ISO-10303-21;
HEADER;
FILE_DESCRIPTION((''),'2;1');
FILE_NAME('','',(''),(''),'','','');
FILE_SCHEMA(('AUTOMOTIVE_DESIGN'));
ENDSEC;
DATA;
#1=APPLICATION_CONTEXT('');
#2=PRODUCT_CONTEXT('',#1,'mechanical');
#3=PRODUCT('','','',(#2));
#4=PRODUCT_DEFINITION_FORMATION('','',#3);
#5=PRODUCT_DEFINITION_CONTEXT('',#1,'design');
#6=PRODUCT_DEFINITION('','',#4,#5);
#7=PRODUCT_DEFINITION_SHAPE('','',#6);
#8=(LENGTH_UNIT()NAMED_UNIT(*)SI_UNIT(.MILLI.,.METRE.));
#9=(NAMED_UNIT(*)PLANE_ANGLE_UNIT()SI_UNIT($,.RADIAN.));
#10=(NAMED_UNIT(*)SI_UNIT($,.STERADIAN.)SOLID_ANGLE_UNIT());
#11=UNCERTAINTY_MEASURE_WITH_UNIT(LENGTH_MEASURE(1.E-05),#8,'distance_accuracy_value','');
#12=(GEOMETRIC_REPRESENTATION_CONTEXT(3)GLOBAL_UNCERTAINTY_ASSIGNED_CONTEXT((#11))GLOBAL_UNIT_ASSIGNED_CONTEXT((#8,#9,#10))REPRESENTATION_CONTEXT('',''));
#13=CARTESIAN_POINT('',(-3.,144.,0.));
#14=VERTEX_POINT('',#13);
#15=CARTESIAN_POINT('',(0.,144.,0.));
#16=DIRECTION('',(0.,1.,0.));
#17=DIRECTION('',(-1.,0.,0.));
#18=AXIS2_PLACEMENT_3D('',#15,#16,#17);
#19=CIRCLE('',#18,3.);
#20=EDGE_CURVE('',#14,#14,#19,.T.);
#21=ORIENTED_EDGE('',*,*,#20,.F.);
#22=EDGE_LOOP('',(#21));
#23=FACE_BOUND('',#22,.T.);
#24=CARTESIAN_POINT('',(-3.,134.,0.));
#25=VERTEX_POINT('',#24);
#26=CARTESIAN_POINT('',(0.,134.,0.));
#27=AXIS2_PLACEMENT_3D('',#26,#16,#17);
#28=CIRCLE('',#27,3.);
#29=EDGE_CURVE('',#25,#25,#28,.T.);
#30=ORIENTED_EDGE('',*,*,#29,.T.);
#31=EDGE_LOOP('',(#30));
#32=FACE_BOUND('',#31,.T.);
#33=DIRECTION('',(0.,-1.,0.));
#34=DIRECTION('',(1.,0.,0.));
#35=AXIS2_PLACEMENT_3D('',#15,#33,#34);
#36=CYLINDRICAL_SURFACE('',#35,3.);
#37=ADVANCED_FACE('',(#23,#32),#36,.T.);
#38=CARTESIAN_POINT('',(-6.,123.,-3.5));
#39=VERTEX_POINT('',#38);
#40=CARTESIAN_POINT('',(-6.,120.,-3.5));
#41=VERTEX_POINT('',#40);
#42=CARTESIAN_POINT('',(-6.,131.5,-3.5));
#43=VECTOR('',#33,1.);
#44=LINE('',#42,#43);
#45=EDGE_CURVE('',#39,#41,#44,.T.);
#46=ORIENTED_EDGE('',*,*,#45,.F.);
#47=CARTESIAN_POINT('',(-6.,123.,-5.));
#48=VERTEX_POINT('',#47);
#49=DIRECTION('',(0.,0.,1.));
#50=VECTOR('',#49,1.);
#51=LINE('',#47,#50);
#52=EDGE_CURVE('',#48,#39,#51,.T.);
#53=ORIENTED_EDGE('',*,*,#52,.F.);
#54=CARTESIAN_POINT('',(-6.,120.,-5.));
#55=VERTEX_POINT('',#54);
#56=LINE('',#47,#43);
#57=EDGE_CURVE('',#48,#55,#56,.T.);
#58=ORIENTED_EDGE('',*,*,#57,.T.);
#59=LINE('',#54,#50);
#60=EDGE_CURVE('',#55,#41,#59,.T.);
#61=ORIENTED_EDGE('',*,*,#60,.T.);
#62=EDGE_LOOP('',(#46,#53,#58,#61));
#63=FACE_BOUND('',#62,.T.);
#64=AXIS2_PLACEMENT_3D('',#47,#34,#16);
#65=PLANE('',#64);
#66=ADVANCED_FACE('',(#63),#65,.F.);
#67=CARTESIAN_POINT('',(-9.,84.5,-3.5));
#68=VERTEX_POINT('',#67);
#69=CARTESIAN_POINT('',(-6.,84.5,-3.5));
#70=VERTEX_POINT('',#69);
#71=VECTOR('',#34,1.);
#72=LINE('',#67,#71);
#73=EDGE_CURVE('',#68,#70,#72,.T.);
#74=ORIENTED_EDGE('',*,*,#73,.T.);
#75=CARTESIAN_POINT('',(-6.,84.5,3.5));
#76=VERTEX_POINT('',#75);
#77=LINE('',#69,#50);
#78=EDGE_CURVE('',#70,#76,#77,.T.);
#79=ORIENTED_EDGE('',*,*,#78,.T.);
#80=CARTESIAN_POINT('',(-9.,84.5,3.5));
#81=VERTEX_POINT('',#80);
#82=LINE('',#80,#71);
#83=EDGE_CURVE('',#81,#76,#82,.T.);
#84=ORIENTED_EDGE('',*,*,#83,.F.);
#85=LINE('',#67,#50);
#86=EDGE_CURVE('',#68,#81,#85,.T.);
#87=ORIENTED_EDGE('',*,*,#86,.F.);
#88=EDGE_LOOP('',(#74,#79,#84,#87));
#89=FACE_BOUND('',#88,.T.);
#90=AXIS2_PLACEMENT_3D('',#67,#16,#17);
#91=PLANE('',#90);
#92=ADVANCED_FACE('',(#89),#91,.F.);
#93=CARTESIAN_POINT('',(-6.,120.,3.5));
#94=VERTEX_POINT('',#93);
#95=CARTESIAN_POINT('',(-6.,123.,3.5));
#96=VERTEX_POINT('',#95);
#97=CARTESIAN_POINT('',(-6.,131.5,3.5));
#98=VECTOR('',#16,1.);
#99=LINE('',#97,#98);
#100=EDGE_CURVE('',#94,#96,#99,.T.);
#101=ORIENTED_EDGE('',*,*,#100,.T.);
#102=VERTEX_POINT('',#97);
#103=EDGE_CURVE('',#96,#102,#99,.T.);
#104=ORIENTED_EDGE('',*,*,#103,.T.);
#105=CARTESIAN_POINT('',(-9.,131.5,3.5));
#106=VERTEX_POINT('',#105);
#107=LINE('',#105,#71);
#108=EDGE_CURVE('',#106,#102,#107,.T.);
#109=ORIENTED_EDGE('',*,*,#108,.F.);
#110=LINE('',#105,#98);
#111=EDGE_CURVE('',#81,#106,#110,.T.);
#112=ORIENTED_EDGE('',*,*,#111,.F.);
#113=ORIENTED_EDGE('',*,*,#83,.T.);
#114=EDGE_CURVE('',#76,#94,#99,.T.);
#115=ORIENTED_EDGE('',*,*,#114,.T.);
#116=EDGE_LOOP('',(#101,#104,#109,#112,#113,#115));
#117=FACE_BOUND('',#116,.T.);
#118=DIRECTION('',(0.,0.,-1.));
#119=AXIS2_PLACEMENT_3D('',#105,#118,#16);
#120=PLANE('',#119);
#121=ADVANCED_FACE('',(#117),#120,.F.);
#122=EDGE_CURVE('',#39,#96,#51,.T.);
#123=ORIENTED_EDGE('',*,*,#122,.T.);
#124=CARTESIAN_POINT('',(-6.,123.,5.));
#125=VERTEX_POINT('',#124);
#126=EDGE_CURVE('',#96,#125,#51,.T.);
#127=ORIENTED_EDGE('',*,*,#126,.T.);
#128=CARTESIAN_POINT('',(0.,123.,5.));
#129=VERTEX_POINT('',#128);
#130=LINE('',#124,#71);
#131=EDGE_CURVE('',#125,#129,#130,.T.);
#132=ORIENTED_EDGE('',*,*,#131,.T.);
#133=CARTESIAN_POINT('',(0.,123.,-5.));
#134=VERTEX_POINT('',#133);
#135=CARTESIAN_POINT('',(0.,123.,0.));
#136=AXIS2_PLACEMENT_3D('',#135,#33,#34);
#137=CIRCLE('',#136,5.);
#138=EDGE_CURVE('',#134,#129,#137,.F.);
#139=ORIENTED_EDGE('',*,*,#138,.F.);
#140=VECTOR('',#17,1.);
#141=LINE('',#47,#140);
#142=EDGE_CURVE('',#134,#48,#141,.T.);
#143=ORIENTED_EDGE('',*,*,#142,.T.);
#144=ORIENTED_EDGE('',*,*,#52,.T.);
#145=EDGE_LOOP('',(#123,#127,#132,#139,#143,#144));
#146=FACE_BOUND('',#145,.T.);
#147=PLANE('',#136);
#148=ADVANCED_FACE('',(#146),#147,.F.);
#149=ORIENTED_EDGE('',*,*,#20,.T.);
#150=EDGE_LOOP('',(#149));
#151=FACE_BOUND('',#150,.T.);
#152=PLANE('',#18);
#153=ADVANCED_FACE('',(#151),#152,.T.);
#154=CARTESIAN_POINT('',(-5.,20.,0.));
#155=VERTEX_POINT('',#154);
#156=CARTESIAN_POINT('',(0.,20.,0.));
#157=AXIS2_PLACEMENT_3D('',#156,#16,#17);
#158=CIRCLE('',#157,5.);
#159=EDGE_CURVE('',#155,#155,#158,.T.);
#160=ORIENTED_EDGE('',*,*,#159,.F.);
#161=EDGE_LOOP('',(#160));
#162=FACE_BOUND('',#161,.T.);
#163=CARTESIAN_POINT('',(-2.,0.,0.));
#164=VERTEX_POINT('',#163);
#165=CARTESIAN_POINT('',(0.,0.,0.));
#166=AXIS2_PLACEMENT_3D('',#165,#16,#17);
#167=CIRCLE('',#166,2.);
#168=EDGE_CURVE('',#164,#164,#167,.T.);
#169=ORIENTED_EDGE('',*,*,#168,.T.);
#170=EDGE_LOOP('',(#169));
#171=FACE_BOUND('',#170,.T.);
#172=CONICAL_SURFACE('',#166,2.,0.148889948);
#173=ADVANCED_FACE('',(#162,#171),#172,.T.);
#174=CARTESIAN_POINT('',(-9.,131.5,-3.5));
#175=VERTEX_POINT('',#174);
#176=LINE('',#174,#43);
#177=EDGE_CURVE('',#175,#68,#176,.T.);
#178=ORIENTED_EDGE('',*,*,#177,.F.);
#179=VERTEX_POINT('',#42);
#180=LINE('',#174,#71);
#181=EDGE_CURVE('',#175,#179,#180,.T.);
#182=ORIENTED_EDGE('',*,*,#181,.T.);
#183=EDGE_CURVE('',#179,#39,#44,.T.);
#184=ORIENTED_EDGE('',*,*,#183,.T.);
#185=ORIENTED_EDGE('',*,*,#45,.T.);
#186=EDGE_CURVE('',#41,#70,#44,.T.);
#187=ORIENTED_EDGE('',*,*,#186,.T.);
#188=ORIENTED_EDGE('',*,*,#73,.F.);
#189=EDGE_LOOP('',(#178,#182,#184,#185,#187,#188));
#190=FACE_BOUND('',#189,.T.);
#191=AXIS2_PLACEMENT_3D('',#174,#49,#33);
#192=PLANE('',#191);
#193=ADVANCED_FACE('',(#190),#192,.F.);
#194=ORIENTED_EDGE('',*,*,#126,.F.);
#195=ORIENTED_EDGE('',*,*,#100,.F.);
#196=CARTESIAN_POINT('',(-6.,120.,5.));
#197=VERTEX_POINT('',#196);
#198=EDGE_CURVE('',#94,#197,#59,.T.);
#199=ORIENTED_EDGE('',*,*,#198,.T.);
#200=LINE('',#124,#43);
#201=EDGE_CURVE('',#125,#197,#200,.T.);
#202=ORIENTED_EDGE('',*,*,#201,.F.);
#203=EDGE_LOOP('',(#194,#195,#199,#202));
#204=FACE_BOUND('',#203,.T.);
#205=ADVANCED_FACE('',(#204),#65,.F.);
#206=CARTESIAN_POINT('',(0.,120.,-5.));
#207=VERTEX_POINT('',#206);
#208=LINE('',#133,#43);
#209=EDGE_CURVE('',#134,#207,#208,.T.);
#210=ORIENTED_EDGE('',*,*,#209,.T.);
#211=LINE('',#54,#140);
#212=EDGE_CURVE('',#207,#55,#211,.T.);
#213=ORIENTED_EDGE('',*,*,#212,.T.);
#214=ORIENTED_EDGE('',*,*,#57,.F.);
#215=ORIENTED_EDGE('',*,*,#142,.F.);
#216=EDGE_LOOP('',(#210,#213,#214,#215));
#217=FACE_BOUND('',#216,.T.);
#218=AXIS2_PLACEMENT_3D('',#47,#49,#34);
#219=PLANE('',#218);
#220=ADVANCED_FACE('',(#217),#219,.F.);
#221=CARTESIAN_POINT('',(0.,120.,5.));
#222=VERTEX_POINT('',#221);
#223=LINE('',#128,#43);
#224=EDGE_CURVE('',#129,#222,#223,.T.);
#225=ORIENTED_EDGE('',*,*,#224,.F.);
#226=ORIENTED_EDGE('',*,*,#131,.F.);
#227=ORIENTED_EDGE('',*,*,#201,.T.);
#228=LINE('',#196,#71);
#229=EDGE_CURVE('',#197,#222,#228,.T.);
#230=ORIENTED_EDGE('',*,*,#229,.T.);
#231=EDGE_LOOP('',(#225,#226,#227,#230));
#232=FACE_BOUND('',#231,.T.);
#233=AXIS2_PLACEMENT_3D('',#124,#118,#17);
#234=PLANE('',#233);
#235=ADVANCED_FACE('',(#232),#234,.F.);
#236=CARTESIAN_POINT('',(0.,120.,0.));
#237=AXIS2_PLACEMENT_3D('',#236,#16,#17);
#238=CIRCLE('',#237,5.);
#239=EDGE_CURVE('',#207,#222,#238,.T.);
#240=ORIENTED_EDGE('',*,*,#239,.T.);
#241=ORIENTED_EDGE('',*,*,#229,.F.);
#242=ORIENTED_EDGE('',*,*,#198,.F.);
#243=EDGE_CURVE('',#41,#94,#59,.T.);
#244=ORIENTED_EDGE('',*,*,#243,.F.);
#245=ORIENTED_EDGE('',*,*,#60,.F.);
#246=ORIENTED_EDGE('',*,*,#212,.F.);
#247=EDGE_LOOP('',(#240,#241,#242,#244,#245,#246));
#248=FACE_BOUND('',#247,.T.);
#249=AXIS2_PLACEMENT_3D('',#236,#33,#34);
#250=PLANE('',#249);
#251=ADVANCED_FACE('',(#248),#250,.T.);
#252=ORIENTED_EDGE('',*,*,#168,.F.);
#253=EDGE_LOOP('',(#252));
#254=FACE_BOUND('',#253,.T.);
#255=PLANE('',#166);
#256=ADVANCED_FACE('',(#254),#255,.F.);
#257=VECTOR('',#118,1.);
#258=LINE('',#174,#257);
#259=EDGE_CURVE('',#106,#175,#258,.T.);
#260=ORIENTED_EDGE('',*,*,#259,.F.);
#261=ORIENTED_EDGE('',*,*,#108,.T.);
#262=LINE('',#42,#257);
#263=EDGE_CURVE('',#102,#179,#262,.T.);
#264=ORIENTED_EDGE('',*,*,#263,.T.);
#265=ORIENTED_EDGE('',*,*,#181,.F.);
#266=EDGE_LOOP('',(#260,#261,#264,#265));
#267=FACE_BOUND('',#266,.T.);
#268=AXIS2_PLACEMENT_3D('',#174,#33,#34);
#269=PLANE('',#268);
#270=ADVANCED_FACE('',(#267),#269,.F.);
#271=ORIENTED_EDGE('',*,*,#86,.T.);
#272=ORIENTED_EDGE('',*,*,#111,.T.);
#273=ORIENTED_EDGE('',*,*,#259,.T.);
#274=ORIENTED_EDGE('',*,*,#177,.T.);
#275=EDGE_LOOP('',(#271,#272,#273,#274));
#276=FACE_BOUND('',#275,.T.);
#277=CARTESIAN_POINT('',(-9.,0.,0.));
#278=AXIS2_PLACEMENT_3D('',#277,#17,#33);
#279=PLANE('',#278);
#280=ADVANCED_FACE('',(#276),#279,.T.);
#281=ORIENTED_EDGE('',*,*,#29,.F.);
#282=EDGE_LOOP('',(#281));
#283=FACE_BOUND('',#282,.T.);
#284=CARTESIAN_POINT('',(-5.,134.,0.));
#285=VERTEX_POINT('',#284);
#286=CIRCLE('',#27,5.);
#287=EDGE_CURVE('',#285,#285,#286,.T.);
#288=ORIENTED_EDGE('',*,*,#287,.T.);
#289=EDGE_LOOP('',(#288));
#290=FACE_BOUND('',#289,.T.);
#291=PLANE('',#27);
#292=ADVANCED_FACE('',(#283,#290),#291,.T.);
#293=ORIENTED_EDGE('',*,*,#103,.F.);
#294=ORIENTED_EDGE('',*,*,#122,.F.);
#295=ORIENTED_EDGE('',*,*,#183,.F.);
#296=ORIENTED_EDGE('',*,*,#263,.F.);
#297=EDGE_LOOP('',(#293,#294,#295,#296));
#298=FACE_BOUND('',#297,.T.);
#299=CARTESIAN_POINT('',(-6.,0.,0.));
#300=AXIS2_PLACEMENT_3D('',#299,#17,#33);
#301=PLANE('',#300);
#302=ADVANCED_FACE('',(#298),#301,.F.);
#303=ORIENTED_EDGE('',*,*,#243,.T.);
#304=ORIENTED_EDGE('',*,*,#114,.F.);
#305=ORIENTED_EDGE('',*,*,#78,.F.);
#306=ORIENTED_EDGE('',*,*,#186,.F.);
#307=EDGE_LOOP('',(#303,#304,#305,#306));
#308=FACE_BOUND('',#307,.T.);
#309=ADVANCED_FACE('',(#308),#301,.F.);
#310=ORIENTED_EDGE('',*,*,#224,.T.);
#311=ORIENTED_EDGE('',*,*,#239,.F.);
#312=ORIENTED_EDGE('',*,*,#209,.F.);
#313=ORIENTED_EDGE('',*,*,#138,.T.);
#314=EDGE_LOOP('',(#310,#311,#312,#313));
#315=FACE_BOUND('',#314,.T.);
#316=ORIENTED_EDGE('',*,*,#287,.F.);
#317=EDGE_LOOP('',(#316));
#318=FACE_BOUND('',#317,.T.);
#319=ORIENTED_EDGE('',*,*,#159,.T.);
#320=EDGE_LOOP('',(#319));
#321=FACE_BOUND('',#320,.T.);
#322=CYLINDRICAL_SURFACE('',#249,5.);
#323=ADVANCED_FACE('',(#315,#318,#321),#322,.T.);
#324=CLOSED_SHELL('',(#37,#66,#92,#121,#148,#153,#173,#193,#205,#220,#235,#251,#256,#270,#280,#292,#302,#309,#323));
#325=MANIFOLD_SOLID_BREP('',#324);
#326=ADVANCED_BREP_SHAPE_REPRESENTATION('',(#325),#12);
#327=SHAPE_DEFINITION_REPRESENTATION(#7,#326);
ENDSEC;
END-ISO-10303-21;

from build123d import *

# Parameters (mm, degrees)
ESBO_O3_R                = 5
RESSALTO_EXTRUS_O1_DEPTH = 100
RESSALTO_EXTRUS_O2_DEPTH = 3
ESBO_O5_W                = 7
ESBO_O5_H                = 47
RESSALTO_EXTRUS_O3_DEPTH = 3
ESBO_O6_R                = 5
RESSALTO_EXTRUS_O4_DEPTH = 11
ESBO_O7_R                = 3
RESSALTO_EXTRUS_O5_DEPTH = 10


with BuildPart() as part:
    # Esboço2 → Revolução1 (revolve)
    with BuildSketch(Plane.XY):
        Polygon((2, 0), (5, 20), (0, 20), (0, 0), align=None)
    revolve(axis=Axis((0, 22.732303323, 0), (0, -1, 0)))

    # Esboço3 → Ressalto-extrusão1 (add)
    with BuildSketch(Plane(origin=(0, 20, 0), x_dir=(1, 0, 0), z_dir=(0, 1, 0))):
        Circle(ESBO_O3_R)
    extrude(amount=RESSALTO_EXTRUS_O1_DEPTH)

    # Esboço4 → Ressalto-extrusão2 (add)
    with BuildSketch(Plane(origin=(0, 120, 0), x_dir=(1, 0, 0), z_dir=(0, 1, 0))):
        with BuildLine():
            Line((-6, 5), (0, 5))
            ThreePointArc((0, 5), (5, 0), (0, -5))
            Line((0, -5), (-6, -5))
            Line((-6, -5), (-6, 5))
        make_face()
    extrude(amount=RESSALTO_EXTRUS_O2_DEPTH)

    # Esboço5 → Ressalto-extrusão3 (add)
    with BuildSketch(Plane.ZY.offset(6)):
        with Locations((0, 108)):
            Rectangle(ESBO_O5_W, ESBO_O5_H)
    extrude(amount=RESSALTO_EXTRUS_O3_DEPTH)

    # Esboço6 → Ressalto-extrusão4 (add)
    with BuildSketch(Plane(origin=(0, 123, 0), x_dir=(1, 0, 0), z_dir=(0, 1, 0))):
        Circle(ESBO_O6_R)
    extrude(amount=RESSALTO_EXTRUS_O4_DEPTH)

    # Esboço7 → Ressalto-extrusão5 (add)
    with BuildSketch(Plane(origin=(0, 134, 0), x_dir=(1, 0, 0), z_dir=(0, 1, 0))):
        Circle(ESBO_O7_R)
    extrude(amount=RESSALTO_EXTRUS_O5_DEPTH)


solid = part.part
